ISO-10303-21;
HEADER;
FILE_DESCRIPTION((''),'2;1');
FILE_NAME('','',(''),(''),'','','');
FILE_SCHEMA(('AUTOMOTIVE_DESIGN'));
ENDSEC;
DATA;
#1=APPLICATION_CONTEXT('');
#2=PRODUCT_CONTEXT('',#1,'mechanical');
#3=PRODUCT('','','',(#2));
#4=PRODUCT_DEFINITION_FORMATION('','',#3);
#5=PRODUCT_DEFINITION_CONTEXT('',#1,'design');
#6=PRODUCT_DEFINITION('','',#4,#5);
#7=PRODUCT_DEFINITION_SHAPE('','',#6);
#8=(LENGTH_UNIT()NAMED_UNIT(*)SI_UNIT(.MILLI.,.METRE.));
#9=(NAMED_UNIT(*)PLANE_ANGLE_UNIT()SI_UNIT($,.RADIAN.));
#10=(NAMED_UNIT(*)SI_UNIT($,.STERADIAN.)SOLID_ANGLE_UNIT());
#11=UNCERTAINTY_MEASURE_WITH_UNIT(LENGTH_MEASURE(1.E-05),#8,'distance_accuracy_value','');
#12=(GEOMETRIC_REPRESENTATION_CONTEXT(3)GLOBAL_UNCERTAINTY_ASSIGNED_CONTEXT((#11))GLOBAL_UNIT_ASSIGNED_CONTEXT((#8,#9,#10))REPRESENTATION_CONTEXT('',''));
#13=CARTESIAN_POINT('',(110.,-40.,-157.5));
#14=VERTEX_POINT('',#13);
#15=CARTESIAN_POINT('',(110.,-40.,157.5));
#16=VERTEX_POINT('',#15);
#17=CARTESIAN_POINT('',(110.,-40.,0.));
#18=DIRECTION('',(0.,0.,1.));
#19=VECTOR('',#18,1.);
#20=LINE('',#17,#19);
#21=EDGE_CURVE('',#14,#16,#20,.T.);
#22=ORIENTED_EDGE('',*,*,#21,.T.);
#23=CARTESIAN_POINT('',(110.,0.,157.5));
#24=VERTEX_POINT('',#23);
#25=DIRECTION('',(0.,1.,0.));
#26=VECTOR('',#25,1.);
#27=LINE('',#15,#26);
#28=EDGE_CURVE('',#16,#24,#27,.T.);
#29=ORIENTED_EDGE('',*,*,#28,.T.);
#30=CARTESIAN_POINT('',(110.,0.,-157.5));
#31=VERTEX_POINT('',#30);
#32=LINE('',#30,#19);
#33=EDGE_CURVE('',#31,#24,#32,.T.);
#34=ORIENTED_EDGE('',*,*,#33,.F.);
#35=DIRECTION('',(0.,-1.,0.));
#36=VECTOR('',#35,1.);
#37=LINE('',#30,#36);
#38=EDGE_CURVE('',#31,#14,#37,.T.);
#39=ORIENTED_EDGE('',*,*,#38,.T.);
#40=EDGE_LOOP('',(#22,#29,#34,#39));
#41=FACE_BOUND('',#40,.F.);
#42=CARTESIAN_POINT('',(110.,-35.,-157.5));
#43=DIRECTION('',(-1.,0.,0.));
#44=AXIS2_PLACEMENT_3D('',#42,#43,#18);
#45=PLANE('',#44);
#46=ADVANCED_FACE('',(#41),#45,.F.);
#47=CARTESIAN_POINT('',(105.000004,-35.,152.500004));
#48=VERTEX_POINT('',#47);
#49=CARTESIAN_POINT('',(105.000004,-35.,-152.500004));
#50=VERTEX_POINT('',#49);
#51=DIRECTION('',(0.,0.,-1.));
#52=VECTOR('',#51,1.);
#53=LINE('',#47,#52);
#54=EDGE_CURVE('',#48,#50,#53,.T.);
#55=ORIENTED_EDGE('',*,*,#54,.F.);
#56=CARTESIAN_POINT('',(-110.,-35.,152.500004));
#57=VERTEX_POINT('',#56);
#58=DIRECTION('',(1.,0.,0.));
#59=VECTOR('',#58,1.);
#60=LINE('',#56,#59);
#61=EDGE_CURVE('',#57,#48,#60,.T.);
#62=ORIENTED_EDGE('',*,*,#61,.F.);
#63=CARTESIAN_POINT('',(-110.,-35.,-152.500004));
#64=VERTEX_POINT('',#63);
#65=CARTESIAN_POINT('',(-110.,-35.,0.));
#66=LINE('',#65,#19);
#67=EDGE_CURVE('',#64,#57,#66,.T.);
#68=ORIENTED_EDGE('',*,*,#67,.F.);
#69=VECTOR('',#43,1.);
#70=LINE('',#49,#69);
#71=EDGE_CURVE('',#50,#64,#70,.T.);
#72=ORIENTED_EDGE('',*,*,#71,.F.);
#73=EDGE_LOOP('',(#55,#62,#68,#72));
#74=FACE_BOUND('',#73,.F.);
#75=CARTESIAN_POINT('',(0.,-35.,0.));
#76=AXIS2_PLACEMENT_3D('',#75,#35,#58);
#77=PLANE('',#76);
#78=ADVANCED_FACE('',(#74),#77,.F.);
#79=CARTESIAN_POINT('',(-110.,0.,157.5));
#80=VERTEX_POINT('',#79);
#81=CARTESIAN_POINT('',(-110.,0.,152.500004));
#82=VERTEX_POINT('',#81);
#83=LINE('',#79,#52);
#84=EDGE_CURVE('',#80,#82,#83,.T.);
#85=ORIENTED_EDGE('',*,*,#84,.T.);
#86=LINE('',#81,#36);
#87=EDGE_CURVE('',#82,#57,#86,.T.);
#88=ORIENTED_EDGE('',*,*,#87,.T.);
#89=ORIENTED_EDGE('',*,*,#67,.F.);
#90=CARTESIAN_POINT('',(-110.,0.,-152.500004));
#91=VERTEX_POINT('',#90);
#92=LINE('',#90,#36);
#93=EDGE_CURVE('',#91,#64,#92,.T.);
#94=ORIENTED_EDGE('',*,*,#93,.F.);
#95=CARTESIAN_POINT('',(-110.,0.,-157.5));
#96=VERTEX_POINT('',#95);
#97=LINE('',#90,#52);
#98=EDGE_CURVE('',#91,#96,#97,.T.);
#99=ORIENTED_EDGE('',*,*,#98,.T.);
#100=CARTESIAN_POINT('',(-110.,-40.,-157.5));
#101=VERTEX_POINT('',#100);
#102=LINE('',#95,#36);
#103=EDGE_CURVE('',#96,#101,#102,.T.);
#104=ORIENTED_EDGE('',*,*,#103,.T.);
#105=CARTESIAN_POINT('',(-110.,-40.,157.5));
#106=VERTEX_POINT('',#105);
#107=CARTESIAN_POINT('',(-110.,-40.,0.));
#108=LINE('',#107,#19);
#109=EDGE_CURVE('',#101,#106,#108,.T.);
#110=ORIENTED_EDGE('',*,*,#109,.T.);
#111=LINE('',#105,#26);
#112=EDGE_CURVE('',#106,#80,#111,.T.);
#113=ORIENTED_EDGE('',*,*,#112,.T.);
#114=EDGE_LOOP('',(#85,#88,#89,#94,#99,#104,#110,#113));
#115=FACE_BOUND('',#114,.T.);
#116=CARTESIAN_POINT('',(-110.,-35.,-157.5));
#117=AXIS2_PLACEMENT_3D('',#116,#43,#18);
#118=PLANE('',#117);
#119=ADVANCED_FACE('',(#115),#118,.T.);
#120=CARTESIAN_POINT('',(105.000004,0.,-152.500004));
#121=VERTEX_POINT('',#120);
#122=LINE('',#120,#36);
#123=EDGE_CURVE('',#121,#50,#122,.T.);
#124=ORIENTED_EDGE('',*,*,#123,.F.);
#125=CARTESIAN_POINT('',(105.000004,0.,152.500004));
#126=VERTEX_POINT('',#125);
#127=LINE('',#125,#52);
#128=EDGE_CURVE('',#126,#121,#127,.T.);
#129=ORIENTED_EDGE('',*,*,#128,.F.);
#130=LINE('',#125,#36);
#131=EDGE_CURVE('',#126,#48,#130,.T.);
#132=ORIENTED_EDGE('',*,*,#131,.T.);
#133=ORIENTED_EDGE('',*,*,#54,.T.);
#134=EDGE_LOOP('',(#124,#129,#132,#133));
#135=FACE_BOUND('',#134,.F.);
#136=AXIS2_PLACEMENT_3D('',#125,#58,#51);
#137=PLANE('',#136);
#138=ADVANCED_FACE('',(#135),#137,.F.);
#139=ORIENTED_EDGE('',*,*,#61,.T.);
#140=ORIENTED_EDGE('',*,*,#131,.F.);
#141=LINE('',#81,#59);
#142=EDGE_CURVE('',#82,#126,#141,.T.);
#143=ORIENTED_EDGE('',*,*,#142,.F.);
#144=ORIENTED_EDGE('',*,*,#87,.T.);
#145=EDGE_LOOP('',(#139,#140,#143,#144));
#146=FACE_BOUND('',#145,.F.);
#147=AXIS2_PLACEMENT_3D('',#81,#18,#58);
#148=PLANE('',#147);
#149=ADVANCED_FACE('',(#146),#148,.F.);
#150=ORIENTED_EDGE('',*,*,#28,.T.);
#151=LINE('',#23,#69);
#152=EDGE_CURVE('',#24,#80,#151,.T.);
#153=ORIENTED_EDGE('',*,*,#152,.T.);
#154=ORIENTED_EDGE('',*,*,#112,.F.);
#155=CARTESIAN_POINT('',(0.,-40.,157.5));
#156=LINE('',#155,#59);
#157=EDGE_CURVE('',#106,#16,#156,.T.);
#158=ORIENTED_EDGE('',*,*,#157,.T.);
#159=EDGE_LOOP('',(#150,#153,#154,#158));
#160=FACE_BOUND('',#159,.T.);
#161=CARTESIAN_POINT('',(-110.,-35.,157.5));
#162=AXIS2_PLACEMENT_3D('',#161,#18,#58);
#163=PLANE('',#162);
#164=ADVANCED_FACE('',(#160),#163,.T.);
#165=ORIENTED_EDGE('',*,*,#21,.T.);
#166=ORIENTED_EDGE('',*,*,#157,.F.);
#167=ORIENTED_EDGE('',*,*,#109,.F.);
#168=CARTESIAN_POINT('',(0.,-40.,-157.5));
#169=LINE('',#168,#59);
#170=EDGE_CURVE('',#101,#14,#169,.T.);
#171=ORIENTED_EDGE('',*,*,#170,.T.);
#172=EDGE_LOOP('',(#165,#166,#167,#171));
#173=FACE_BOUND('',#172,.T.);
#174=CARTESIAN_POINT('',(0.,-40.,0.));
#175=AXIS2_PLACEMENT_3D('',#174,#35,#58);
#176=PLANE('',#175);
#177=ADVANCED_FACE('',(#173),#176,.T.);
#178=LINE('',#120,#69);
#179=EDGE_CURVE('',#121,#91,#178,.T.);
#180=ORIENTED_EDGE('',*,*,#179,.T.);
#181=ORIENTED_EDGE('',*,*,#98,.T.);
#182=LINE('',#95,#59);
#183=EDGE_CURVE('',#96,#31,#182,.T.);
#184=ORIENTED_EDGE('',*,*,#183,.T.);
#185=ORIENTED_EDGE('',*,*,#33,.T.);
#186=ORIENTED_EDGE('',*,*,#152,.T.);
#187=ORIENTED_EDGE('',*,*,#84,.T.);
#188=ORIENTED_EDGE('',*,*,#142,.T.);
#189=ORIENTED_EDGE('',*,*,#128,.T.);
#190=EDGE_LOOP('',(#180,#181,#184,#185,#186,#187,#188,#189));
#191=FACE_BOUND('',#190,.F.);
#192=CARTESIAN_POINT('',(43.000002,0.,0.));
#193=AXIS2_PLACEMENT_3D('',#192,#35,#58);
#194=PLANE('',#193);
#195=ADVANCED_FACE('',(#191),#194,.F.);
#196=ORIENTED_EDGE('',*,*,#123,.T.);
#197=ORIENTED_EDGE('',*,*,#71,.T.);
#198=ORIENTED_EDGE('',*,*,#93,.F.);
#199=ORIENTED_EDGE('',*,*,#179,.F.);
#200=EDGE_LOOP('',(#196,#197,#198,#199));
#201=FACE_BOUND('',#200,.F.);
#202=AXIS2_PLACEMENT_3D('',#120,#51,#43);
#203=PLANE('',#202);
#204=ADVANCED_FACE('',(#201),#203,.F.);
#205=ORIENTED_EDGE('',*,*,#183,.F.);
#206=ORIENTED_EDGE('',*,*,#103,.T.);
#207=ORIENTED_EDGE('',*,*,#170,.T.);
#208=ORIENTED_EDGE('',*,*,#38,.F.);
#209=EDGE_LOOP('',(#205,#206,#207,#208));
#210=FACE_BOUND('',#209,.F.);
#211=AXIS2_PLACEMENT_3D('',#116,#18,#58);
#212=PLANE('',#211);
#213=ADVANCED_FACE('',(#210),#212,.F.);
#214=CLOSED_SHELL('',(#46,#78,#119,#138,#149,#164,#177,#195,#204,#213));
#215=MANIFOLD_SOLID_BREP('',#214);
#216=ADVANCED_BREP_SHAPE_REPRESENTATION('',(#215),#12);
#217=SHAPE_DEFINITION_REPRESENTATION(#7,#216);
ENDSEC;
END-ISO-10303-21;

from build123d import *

# Parameters (mm, degrees)
F1_DEPTH = 35
F2_W     = 220
F2_H     = 315
F3_DEPTH = 5


with BuildPart() as f1:
    # F0 (on Front) → F1 (new body)
    with BuildSketch(Plane.XZ):
        Polygon((-110, -157.5), (110, -157.5), (110, 157.5), (-110, 157.5), (-110, 152.500004), (105.000004, 152.500004), (105.000004, -152.500004), (-110, -152.500004), align=None)
    extrude(amount=F1_DEPTH)

    # F2 (on face) → F3 (join)
    with BuildSketch(Plane.XZ.offset(35)):
        Rectangle(F2_W, F2_H)
    extrude(amount=F3_DEPTH)


solid = f1.part
